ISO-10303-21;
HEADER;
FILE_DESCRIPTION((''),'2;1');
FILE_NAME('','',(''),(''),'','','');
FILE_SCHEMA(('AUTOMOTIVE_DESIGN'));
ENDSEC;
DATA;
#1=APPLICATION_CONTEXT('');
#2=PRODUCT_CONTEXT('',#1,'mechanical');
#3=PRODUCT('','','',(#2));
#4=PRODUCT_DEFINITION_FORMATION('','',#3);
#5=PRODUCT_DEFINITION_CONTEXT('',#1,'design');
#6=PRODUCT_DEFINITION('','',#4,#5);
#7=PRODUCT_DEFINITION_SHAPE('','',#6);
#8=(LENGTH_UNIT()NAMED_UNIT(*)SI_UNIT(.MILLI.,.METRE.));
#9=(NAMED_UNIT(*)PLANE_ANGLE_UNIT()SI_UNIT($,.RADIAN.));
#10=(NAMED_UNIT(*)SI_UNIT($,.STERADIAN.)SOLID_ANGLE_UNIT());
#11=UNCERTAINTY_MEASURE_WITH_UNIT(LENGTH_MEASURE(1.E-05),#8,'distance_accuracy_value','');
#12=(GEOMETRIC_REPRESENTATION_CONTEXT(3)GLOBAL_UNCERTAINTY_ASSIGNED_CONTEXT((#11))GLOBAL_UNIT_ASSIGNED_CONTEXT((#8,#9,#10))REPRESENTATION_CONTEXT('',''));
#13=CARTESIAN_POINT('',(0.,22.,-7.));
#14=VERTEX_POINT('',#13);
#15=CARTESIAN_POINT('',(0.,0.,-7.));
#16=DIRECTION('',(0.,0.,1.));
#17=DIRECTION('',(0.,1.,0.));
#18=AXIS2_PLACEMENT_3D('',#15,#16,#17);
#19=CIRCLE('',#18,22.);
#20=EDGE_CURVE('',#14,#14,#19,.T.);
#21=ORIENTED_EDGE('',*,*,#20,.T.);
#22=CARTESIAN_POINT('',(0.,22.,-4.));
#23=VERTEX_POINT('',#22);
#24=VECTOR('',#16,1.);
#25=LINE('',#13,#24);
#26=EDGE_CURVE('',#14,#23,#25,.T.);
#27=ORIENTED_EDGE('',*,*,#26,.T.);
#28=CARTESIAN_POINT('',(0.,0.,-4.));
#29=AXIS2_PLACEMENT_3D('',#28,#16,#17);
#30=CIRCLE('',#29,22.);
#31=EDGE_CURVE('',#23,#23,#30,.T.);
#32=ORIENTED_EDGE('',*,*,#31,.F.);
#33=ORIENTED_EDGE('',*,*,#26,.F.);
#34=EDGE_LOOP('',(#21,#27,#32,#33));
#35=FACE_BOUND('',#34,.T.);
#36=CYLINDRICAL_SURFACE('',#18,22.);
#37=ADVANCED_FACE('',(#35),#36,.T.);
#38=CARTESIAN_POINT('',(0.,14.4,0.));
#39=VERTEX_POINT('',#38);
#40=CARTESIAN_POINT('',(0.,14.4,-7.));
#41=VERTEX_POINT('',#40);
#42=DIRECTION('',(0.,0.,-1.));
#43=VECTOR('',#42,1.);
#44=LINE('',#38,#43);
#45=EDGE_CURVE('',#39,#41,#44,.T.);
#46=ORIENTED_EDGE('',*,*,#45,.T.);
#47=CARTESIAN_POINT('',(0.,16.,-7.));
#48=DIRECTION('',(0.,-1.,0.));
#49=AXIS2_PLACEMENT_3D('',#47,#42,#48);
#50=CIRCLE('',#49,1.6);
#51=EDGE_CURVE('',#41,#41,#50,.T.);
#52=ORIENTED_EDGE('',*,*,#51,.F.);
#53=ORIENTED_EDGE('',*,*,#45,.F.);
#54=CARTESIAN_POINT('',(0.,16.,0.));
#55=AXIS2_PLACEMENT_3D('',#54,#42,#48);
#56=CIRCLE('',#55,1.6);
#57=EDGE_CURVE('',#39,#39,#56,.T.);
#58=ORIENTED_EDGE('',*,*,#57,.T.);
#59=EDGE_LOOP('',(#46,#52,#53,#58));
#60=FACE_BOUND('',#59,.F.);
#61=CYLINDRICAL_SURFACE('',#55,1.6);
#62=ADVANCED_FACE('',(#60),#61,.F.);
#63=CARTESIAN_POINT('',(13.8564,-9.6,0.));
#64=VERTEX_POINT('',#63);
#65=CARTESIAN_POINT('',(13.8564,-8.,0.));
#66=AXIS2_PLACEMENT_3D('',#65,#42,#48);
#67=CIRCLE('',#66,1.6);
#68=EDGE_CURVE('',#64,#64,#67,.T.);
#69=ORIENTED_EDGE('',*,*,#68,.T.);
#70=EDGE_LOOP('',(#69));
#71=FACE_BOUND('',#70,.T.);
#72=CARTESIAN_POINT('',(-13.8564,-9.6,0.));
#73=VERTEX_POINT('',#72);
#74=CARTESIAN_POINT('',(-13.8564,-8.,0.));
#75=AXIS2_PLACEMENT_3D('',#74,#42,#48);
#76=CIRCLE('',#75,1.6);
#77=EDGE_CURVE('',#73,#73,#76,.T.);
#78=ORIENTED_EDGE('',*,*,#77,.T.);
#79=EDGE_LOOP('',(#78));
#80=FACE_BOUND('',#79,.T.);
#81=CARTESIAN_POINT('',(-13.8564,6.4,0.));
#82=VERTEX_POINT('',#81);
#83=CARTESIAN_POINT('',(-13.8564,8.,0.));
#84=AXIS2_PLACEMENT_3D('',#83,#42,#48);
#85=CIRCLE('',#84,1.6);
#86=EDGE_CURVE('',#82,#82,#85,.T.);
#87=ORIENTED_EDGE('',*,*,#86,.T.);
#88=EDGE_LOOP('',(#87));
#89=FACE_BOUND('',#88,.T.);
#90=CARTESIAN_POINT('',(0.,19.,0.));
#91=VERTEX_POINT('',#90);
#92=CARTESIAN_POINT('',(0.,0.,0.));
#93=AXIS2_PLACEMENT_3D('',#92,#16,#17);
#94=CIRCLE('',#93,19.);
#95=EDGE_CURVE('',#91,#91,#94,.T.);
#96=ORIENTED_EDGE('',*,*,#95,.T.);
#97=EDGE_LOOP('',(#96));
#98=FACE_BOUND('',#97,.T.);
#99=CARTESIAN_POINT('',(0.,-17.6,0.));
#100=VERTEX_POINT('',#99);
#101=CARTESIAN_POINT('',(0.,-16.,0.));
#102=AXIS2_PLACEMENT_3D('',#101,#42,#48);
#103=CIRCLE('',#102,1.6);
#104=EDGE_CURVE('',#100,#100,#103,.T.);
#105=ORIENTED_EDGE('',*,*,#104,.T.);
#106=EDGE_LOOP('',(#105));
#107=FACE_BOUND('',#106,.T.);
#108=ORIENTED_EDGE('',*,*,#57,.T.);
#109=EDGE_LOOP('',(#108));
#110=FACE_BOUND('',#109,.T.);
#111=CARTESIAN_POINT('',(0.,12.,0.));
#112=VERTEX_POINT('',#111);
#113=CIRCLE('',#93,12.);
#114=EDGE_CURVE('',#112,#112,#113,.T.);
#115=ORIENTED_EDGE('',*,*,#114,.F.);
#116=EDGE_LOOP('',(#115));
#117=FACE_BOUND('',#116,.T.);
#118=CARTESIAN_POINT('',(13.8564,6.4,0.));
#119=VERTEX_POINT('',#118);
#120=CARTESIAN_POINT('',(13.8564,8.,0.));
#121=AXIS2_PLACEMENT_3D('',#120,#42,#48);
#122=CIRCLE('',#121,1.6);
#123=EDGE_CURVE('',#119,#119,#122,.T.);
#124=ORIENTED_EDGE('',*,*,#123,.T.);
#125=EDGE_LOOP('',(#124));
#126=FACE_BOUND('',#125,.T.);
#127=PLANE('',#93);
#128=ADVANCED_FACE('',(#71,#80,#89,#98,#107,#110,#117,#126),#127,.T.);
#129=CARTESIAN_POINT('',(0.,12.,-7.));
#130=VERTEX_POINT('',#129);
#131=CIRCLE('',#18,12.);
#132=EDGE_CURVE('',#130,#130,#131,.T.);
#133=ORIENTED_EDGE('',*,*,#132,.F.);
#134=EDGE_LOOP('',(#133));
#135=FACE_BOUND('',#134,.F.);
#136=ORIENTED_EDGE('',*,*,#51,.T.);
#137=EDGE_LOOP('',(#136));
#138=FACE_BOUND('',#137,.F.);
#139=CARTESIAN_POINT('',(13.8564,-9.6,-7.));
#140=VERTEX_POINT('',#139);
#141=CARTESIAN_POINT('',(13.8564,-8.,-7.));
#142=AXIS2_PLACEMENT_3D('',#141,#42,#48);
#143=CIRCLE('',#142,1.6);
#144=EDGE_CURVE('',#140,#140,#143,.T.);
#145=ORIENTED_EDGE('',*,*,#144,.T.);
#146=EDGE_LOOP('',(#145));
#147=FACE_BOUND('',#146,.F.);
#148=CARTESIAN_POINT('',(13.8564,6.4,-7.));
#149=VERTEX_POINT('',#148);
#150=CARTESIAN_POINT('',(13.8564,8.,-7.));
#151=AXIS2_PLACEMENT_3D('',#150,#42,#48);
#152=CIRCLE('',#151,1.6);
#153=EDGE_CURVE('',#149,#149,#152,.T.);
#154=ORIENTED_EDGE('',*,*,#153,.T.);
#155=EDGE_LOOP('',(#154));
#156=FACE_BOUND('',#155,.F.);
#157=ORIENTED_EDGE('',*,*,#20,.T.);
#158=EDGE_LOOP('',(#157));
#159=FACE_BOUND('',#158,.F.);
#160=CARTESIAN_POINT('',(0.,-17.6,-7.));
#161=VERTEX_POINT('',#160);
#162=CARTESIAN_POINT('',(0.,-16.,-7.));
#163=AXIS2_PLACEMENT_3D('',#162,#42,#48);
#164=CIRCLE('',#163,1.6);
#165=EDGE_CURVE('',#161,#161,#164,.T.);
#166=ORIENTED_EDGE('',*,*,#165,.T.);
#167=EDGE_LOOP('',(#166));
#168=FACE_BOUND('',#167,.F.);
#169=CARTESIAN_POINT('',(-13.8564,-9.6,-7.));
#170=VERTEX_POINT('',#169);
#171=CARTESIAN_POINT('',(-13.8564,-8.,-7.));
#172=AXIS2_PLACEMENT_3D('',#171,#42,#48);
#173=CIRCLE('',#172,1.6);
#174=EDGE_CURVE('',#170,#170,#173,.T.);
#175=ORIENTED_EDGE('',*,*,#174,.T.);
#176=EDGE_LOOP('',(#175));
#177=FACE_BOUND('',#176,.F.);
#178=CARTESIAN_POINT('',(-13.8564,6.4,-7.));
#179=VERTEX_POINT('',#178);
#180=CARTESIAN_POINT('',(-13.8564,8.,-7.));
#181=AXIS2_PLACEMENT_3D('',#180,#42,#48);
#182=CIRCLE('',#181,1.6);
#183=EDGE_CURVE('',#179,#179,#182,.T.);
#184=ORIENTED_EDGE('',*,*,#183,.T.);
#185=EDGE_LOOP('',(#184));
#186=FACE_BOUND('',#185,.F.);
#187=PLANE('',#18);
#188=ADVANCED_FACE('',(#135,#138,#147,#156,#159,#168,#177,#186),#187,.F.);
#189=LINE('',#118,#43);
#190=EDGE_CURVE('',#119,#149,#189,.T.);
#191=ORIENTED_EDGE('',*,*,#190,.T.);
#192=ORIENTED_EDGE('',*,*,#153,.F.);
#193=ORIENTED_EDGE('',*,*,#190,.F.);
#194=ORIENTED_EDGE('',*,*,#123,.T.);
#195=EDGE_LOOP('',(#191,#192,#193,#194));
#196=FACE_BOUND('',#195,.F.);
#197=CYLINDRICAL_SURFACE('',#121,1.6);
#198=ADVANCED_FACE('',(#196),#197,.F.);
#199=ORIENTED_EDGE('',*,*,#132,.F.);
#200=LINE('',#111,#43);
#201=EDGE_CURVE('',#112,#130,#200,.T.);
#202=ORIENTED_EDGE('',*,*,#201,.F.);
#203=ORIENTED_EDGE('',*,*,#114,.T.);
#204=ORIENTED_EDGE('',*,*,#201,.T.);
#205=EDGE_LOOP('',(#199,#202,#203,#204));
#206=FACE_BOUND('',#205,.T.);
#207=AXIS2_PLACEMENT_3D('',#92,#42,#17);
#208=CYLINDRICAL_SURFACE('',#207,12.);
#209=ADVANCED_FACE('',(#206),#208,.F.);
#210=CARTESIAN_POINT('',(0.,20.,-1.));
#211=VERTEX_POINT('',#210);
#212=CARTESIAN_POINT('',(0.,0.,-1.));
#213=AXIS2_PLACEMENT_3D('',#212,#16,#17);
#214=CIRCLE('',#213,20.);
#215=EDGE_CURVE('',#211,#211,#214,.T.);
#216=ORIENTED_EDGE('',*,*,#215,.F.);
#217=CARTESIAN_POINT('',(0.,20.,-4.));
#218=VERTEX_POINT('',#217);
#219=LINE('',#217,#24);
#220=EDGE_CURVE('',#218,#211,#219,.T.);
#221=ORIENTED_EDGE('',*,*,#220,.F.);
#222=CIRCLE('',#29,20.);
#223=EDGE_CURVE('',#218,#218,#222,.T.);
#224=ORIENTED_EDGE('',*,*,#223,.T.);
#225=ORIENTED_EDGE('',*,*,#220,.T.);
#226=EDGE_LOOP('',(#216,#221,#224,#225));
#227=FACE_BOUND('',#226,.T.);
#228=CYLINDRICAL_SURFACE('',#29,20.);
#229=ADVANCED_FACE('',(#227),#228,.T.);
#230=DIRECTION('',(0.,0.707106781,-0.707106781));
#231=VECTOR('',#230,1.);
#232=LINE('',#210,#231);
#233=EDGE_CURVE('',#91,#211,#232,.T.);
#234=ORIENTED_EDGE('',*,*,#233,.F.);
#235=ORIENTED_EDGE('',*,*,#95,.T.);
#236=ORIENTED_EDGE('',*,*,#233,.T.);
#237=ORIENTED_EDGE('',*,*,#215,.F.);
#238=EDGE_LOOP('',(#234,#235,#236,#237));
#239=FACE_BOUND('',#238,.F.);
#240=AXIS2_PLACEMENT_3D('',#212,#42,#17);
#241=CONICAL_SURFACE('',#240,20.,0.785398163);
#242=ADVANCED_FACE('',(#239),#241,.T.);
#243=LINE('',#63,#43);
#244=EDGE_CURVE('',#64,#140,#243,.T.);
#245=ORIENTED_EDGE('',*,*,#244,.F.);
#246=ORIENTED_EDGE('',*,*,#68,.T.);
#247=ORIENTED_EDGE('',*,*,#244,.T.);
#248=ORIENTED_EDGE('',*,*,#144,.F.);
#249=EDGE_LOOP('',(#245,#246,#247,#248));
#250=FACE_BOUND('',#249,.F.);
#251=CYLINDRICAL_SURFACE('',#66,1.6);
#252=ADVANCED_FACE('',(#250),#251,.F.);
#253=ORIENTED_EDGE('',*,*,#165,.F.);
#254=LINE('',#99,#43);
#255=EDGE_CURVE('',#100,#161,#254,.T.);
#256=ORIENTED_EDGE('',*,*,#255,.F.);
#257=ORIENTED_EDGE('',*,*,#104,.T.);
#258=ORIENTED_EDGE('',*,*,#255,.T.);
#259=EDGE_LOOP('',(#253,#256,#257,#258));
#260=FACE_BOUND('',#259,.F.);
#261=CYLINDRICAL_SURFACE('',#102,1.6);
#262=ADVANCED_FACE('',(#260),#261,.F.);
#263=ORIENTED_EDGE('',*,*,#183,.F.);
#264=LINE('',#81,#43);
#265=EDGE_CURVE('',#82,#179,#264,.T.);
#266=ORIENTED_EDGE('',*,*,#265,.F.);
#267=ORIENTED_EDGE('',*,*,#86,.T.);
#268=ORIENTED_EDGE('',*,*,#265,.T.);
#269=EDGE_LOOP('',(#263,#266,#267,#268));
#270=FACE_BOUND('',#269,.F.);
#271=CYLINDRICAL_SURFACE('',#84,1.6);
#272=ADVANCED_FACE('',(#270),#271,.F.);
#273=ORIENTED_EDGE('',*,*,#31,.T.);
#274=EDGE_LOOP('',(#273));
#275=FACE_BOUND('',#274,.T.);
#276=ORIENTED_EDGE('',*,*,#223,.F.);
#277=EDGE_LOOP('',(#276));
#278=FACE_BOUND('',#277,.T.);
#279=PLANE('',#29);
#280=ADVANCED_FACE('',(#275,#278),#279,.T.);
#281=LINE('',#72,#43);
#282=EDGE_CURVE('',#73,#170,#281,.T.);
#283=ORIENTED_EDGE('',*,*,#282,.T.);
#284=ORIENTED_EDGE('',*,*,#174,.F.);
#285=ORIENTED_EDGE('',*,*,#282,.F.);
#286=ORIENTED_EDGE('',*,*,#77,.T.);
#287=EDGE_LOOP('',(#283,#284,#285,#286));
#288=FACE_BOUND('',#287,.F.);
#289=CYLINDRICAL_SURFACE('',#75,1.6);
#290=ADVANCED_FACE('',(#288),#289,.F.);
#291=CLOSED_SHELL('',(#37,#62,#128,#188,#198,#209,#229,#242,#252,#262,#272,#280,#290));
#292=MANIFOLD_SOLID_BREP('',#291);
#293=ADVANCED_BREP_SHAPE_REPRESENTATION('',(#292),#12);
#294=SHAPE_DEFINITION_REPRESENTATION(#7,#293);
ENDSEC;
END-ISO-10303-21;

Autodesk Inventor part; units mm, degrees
ref_plane "YZ Plane" through (0, 0, 0) normal (1, 0, 0) x (0, 1, 0)
ref_plane "XZ Plane" through (0, 0, 0) normal (0, 1, 0) x (-1, 0, 0)
ref_plane "XY Plane" through (0, 0, 0) normal (0, 0, 1) x (1, 0, 0)
sketch "スケッチ1" plane through (0, 0, 0) normal (1, 0, 0) x (0, 1, 0)
  line L0 (12, 0) -> (12, -7)
  line L1 (22, -7) -> (22, -4)
  line L2 (22, -4) -> (20, -4)
  line L3 (20, -4) -> (20, 0)
  line L4 (20, 0) -> (12, 0)
  line L5 (0, -8.4) -> (0, 1.4) projected
  line L6 (22, -7) -> (12, -7)
  point P0 (0, 0)
  dimension "d0" = 20
  dimension "d1" = 2
  dimension "d2" = 4
  dimension "d3" = 3
  dimension "d4" = 8
revolve "回転1" add sketch "スケッチ1" angle 360 about axis through (0, 0, -10) along (0, 0, 1)
sketch "スケッチ2" plane through (0, 0, 0) normal (0, 0, 1) x (1, 0, 0)
  circle A0 centre (0, 0) radius 20 projected
  circle A1 centre (0, 0) radius 16
  point P0 (0, 16)
  point P1 (-13.8564, 8)
  point P2 (-13.8564, -8)
  point P3 (0, -16)
  point P4 (13.8564, -8)
  point P5 (13.8564, 8)
  dimension "d8" = 4
  dimension "d11" = 360
hole "穴1" at (0, 16, 0) at (-13.8564, 8, 0) at (-13.8564, -8, 0) at (0, -16, 0) at (13.8564, -8, 0) at (13.8564, 8, 0) direction (0, 0, -1) diameter 3.2 end through all clearance for "Socket Head Cap Screw" size "M3" standard "Ansi Metric M Profile"
chamfer "面取り1" distance 1 angle 45 1 edges at (0, -20, 0)
properties part number "base11" material "ABS プラスチック"
